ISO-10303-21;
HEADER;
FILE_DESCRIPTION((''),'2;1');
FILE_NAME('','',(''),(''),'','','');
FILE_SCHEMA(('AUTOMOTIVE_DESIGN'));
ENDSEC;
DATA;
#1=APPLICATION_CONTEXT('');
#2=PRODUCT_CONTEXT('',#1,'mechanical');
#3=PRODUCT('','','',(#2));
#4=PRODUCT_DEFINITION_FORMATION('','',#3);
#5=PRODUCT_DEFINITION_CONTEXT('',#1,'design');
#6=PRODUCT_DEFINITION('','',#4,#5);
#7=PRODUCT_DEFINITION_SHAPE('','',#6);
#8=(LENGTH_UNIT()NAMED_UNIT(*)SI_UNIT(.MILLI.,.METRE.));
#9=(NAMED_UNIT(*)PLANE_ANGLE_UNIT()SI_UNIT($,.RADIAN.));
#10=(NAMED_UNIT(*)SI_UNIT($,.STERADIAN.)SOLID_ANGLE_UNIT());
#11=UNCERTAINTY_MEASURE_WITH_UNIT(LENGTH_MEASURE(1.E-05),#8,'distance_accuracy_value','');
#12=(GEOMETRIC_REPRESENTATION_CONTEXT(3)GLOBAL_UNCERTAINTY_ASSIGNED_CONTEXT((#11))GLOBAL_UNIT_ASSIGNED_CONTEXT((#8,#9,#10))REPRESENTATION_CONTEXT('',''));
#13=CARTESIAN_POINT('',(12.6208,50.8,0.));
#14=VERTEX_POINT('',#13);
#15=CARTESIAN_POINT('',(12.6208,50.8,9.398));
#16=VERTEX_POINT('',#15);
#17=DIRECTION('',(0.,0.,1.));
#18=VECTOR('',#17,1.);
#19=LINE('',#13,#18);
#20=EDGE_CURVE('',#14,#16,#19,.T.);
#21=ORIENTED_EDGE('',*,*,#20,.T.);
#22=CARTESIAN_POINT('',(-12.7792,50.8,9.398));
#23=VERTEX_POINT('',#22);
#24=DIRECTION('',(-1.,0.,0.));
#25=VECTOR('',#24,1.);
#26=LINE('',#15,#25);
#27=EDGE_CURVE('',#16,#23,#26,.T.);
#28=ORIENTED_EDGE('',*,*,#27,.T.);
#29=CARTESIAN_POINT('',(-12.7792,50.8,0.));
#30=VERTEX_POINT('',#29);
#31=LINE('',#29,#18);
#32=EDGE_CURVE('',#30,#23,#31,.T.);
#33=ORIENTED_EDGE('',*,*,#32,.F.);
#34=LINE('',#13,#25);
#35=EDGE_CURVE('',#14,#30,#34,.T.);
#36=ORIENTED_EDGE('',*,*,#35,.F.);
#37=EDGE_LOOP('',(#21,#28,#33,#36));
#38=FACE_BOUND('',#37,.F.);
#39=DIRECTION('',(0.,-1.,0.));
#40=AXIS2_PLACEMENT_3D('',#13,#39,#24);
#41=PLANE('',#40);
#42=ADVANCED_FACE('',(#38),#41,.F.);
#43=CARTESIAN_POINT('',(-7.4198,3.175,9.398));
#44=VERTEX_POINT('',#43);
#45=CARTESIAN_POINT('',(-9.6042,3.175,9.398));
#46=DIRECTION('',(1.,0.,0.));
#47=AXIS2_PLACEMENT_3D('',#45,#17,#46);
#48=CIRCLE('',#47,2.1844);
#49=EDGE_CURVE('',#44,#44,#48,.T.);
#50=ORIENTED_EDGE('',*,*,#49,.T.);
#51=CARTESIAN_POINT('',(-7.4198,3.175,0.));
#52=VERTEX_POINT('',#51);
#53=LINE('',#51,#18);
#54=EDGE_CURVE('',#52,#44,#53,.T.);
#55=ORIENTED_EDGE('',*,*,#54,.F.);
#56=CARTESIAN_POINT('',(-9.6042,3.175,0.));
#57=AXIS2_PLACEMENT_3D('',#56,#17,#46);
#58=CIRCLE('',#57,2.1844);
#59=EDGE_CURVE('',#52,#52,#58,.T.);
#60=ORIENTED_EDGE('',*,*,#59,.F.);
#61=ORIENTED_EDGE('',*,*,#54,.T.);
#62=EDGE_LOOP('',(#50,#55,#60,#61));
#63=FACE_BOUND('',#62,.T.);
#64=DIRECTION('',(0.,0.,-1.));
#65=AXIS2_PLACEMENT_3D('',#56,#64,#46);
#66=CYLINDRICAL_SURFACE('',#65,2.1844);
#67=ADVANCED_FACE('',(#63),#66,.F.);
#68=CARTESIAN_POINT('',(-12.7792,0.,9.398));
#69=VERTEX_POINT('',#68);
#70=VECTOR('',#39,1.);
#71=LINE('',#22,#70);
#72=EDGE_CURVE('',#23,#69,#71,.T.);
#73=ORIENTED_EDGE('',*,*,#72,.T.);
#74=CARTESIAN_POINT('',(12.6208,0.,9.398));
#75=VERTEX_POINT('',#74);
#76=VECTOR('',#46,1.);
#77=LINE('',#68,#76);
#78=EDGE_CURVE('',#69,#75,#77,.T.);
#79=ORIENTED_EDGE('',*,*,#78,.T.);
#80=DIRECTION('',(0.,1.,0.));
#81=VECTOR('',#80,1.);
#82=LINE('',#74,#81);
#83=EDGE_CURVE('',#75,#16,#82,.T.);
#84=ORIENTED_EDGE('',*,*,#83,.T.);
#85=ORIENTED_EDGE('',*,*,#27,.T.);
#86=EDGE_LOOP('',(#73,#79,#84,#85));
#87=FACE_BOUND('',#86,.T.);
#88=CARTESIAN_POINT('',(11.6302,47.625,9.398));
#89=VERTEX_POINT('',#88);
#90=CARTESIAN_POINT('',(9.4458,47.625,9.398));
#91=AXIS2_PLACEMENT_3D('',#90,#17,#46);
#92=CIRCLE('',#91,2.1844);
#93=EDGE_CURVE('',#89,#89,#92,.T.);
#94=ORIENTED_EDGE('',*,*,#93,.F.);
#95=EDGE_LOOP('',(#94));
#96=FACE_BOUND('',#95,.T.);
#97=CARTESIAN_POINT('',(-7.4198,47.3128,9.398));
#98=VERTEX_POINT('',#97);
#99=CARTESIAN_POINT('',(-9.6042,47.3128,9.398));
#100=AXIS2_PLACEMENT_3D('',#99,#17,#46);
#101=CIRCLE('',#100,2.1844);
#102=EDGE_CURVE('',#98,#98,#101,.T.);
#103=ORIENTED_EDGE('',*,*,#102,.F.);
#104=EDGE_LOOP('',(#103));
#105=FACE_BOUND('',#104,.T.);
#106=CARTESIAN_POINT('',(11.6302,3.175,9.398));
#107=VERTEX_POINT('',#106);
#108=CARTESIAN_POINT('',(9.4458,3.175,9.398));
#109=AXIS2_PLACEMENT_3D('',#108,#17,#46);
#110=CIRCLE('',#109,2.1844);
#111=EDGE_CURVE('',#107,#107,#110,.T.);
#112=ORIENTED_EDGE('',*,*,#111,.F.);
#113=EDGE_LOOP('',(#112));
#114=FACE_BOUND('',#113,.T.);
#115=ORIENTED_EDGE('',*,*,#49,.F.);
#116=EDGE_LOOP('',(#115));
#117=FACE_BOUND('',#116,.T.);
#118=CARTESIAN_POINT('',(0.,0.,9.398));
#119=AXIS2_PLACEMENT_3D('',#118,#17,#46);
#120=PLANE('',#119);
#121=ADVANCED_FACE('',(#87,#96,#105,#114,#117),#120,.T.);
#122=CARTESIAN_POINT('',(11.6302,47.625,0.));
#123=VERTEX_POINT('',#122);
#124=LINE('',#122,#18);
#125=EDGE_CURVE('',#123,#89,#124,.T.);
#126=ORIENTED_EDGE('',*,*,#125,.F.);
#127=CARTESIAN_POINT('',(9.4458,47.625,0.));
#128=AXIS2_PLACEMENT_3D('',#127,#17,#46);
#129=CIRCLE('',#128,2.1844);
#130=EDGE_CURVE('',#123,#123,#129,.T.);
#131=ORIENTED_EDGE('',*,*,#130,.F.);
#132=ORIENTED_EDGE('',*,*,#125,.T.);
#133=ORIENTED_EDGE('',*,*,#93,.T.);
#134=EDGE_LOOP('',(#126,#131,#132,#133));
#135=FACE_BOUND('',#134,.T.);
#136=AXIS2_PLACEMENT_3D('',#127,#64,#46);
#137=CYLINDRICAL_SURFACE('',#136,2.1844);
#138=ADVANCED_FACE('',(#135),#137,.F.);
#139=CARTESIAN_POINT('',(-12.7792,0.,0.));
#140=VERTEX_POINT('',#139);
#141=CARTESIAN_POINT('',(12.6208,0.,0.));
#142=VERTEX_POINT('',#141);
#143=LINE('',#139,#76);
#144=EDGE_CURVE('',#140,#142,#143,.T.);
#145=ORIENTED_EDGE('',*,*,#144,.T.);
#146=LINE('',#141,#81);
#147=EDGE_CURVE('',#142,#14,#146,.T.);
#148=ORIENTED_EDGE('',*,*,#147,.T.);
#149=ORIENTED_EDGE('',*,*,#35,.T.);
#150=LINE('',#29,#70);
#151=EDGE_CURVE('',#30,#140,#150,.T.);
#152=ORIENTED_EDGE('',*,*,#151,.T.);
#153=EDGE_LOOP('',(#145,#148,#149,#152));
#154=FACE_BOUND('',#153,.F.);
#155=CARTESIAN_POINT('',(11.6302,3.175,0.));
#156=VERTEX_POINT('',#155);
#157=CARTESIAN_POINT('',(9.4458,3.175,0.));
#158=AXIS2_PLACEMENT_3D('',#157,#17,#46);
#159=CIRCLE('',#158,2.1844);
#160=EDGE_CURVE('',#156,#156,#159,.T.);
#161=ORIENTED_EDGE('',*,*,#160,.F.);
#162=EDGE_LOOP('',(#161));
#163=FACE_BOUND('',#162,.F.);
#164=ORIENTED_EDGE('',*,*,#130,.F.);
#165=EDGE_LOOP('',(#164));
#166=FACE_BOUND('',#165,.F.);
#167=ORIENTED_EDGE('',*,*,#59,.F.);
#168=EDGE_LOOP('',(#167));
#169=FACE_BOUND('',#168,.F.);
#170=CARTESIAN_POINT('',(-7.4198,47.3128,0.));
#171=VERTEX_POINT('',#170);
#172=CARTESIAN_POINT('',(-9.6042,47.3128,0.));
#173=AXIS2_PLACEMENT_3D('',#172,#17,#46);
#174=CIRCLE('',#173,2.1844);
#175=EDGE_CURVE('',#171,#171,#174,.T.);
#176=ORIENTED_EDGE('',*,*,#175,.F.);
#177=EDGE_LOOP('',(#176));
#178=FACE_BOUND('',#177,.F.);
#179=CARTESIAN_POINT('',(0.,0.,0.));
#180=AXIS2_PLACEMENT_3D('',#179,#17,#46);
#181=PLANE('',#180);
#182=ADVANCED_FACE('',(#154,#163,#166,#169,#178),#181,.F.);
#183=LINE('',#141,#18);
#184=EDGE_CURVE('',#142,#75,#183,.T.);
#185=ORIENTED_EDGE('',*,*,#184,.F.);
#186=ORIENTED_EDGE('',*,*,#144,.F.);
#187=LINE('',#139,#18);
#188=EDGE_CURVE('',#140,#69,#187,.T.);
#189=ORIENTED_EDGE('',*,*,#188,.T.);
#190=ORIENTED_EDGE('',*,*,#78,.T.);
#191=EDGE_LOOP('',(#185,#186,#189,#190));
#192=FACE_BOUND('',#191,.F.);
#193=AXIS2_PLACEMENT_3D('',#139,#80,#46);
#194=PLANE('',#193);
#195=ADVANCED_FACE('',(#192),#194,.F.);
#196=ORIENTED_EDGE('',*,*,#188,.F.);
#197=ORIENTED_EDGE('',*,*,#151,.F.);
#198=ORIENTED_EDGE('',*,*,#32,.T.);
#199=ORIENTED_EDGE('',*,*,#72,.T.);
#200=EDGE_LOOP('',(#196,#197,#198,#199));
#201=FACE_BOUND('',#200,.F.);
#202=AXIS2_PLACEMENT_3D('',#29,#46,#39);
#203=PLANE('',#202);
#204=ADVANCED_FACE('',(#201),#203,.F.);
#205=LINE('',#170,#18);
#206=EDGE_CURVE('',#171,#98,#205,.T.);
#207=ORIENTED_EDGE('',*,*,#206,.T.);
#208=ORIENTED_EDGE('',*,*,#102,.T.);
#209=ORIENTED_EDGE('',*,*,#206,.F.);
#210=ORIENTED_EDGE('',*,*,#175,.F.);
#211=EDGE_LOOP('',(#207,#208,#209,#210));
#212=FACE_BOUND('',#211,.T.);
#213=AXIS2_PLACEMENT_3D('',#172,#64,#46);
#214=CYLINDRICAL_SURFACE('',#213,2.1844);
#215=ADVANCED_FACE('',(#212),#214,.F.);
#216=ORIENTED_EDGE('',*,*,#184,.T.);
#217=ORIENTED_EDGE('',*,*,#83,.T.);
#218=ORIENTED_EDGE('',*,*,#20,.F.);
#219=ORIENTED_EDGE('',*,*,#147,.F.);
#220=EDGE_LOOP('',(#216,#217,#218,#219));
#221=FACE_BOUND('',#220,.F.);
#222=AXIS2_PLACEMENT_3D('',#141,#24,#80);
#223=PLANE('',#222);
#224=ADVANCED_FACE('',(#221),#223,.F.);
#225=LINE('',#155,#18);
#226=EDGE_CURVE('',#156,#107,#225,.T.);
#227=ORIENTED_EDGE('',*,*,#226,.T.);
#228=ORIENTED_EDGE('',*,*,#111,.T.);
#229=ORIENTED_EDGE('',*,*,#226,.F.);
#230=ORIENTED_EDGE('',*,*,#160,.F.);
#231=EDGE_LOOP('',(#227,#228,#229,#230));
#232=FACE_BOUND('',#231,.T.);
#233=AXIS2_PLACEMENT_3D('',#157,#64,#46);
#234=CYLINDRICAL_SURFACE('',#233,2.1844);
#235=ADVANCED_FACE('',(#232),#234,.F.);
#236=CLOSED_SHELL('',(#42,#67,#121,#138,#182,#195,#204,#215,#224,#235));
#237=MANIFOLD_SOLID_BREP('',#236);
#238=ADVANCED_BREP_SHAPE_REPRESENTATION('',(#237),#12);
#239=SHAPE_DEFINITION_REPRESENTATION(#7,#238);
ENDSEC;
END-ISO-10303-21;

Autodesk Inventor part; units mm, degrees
ref_plane "YZ Plane" through (0, 0, 0) normal (1, 0, 0) x (0, 1, 0)
ref_plane "XZ Plane" through (0, 0, 0) normal (0, 1, 0) x (-1, 0, 0)
ref_plane "XY Plane" through (0, 0, 0) normal (0, 0, 1) x (1, 0, 0)
sketch "Sketch1" plane through (0, 0, 0) normal (0, 0, 1) x (1, 0, 0)
  line L0 (-12.7792, 0) -> (12.6208, 0)
  line L1 (12.6208, 0) -> (12.6208, 50.8)
  line L2 (12.6208, 50.8) -> (-12.7792, 50.8)
  line L3 (-12.7792, 50.8) -> (-12.7792, 0)
  circle A0 centre (-9.6042, 47.3128) radius 2.1844
  circle A1 centre (9.4458, 47.625) radius 2.1844
  circle A2 centre (-9.6042, 3.175) radius 2.1844
  circle A3 centre (9.4458, 3.175) radius 2.1844
  point P0 (0, 0)
  dimension "d0" = 25.4
  dimension "d1" = 50.8
  dimension "d2" = 4.3688
  dimension "d3" = 4.3688
  dimension "d4" = 4.3688
  dimension "d5" = 4.3688
  dimension "d6" = 3.175
  dimension "d7" = 3.175
  dimension "d8" = 3.175
  dimension "d9" = 3.175
extrude "Extrusion1" add sketch "Sketch1" along normal blind 9.398
equation "\"d3\" = d2"
equation "\"d4\" = d2"
equation "\"d5\" = d2"
properties part number "Cover Plate" material "Stainless Steel"
